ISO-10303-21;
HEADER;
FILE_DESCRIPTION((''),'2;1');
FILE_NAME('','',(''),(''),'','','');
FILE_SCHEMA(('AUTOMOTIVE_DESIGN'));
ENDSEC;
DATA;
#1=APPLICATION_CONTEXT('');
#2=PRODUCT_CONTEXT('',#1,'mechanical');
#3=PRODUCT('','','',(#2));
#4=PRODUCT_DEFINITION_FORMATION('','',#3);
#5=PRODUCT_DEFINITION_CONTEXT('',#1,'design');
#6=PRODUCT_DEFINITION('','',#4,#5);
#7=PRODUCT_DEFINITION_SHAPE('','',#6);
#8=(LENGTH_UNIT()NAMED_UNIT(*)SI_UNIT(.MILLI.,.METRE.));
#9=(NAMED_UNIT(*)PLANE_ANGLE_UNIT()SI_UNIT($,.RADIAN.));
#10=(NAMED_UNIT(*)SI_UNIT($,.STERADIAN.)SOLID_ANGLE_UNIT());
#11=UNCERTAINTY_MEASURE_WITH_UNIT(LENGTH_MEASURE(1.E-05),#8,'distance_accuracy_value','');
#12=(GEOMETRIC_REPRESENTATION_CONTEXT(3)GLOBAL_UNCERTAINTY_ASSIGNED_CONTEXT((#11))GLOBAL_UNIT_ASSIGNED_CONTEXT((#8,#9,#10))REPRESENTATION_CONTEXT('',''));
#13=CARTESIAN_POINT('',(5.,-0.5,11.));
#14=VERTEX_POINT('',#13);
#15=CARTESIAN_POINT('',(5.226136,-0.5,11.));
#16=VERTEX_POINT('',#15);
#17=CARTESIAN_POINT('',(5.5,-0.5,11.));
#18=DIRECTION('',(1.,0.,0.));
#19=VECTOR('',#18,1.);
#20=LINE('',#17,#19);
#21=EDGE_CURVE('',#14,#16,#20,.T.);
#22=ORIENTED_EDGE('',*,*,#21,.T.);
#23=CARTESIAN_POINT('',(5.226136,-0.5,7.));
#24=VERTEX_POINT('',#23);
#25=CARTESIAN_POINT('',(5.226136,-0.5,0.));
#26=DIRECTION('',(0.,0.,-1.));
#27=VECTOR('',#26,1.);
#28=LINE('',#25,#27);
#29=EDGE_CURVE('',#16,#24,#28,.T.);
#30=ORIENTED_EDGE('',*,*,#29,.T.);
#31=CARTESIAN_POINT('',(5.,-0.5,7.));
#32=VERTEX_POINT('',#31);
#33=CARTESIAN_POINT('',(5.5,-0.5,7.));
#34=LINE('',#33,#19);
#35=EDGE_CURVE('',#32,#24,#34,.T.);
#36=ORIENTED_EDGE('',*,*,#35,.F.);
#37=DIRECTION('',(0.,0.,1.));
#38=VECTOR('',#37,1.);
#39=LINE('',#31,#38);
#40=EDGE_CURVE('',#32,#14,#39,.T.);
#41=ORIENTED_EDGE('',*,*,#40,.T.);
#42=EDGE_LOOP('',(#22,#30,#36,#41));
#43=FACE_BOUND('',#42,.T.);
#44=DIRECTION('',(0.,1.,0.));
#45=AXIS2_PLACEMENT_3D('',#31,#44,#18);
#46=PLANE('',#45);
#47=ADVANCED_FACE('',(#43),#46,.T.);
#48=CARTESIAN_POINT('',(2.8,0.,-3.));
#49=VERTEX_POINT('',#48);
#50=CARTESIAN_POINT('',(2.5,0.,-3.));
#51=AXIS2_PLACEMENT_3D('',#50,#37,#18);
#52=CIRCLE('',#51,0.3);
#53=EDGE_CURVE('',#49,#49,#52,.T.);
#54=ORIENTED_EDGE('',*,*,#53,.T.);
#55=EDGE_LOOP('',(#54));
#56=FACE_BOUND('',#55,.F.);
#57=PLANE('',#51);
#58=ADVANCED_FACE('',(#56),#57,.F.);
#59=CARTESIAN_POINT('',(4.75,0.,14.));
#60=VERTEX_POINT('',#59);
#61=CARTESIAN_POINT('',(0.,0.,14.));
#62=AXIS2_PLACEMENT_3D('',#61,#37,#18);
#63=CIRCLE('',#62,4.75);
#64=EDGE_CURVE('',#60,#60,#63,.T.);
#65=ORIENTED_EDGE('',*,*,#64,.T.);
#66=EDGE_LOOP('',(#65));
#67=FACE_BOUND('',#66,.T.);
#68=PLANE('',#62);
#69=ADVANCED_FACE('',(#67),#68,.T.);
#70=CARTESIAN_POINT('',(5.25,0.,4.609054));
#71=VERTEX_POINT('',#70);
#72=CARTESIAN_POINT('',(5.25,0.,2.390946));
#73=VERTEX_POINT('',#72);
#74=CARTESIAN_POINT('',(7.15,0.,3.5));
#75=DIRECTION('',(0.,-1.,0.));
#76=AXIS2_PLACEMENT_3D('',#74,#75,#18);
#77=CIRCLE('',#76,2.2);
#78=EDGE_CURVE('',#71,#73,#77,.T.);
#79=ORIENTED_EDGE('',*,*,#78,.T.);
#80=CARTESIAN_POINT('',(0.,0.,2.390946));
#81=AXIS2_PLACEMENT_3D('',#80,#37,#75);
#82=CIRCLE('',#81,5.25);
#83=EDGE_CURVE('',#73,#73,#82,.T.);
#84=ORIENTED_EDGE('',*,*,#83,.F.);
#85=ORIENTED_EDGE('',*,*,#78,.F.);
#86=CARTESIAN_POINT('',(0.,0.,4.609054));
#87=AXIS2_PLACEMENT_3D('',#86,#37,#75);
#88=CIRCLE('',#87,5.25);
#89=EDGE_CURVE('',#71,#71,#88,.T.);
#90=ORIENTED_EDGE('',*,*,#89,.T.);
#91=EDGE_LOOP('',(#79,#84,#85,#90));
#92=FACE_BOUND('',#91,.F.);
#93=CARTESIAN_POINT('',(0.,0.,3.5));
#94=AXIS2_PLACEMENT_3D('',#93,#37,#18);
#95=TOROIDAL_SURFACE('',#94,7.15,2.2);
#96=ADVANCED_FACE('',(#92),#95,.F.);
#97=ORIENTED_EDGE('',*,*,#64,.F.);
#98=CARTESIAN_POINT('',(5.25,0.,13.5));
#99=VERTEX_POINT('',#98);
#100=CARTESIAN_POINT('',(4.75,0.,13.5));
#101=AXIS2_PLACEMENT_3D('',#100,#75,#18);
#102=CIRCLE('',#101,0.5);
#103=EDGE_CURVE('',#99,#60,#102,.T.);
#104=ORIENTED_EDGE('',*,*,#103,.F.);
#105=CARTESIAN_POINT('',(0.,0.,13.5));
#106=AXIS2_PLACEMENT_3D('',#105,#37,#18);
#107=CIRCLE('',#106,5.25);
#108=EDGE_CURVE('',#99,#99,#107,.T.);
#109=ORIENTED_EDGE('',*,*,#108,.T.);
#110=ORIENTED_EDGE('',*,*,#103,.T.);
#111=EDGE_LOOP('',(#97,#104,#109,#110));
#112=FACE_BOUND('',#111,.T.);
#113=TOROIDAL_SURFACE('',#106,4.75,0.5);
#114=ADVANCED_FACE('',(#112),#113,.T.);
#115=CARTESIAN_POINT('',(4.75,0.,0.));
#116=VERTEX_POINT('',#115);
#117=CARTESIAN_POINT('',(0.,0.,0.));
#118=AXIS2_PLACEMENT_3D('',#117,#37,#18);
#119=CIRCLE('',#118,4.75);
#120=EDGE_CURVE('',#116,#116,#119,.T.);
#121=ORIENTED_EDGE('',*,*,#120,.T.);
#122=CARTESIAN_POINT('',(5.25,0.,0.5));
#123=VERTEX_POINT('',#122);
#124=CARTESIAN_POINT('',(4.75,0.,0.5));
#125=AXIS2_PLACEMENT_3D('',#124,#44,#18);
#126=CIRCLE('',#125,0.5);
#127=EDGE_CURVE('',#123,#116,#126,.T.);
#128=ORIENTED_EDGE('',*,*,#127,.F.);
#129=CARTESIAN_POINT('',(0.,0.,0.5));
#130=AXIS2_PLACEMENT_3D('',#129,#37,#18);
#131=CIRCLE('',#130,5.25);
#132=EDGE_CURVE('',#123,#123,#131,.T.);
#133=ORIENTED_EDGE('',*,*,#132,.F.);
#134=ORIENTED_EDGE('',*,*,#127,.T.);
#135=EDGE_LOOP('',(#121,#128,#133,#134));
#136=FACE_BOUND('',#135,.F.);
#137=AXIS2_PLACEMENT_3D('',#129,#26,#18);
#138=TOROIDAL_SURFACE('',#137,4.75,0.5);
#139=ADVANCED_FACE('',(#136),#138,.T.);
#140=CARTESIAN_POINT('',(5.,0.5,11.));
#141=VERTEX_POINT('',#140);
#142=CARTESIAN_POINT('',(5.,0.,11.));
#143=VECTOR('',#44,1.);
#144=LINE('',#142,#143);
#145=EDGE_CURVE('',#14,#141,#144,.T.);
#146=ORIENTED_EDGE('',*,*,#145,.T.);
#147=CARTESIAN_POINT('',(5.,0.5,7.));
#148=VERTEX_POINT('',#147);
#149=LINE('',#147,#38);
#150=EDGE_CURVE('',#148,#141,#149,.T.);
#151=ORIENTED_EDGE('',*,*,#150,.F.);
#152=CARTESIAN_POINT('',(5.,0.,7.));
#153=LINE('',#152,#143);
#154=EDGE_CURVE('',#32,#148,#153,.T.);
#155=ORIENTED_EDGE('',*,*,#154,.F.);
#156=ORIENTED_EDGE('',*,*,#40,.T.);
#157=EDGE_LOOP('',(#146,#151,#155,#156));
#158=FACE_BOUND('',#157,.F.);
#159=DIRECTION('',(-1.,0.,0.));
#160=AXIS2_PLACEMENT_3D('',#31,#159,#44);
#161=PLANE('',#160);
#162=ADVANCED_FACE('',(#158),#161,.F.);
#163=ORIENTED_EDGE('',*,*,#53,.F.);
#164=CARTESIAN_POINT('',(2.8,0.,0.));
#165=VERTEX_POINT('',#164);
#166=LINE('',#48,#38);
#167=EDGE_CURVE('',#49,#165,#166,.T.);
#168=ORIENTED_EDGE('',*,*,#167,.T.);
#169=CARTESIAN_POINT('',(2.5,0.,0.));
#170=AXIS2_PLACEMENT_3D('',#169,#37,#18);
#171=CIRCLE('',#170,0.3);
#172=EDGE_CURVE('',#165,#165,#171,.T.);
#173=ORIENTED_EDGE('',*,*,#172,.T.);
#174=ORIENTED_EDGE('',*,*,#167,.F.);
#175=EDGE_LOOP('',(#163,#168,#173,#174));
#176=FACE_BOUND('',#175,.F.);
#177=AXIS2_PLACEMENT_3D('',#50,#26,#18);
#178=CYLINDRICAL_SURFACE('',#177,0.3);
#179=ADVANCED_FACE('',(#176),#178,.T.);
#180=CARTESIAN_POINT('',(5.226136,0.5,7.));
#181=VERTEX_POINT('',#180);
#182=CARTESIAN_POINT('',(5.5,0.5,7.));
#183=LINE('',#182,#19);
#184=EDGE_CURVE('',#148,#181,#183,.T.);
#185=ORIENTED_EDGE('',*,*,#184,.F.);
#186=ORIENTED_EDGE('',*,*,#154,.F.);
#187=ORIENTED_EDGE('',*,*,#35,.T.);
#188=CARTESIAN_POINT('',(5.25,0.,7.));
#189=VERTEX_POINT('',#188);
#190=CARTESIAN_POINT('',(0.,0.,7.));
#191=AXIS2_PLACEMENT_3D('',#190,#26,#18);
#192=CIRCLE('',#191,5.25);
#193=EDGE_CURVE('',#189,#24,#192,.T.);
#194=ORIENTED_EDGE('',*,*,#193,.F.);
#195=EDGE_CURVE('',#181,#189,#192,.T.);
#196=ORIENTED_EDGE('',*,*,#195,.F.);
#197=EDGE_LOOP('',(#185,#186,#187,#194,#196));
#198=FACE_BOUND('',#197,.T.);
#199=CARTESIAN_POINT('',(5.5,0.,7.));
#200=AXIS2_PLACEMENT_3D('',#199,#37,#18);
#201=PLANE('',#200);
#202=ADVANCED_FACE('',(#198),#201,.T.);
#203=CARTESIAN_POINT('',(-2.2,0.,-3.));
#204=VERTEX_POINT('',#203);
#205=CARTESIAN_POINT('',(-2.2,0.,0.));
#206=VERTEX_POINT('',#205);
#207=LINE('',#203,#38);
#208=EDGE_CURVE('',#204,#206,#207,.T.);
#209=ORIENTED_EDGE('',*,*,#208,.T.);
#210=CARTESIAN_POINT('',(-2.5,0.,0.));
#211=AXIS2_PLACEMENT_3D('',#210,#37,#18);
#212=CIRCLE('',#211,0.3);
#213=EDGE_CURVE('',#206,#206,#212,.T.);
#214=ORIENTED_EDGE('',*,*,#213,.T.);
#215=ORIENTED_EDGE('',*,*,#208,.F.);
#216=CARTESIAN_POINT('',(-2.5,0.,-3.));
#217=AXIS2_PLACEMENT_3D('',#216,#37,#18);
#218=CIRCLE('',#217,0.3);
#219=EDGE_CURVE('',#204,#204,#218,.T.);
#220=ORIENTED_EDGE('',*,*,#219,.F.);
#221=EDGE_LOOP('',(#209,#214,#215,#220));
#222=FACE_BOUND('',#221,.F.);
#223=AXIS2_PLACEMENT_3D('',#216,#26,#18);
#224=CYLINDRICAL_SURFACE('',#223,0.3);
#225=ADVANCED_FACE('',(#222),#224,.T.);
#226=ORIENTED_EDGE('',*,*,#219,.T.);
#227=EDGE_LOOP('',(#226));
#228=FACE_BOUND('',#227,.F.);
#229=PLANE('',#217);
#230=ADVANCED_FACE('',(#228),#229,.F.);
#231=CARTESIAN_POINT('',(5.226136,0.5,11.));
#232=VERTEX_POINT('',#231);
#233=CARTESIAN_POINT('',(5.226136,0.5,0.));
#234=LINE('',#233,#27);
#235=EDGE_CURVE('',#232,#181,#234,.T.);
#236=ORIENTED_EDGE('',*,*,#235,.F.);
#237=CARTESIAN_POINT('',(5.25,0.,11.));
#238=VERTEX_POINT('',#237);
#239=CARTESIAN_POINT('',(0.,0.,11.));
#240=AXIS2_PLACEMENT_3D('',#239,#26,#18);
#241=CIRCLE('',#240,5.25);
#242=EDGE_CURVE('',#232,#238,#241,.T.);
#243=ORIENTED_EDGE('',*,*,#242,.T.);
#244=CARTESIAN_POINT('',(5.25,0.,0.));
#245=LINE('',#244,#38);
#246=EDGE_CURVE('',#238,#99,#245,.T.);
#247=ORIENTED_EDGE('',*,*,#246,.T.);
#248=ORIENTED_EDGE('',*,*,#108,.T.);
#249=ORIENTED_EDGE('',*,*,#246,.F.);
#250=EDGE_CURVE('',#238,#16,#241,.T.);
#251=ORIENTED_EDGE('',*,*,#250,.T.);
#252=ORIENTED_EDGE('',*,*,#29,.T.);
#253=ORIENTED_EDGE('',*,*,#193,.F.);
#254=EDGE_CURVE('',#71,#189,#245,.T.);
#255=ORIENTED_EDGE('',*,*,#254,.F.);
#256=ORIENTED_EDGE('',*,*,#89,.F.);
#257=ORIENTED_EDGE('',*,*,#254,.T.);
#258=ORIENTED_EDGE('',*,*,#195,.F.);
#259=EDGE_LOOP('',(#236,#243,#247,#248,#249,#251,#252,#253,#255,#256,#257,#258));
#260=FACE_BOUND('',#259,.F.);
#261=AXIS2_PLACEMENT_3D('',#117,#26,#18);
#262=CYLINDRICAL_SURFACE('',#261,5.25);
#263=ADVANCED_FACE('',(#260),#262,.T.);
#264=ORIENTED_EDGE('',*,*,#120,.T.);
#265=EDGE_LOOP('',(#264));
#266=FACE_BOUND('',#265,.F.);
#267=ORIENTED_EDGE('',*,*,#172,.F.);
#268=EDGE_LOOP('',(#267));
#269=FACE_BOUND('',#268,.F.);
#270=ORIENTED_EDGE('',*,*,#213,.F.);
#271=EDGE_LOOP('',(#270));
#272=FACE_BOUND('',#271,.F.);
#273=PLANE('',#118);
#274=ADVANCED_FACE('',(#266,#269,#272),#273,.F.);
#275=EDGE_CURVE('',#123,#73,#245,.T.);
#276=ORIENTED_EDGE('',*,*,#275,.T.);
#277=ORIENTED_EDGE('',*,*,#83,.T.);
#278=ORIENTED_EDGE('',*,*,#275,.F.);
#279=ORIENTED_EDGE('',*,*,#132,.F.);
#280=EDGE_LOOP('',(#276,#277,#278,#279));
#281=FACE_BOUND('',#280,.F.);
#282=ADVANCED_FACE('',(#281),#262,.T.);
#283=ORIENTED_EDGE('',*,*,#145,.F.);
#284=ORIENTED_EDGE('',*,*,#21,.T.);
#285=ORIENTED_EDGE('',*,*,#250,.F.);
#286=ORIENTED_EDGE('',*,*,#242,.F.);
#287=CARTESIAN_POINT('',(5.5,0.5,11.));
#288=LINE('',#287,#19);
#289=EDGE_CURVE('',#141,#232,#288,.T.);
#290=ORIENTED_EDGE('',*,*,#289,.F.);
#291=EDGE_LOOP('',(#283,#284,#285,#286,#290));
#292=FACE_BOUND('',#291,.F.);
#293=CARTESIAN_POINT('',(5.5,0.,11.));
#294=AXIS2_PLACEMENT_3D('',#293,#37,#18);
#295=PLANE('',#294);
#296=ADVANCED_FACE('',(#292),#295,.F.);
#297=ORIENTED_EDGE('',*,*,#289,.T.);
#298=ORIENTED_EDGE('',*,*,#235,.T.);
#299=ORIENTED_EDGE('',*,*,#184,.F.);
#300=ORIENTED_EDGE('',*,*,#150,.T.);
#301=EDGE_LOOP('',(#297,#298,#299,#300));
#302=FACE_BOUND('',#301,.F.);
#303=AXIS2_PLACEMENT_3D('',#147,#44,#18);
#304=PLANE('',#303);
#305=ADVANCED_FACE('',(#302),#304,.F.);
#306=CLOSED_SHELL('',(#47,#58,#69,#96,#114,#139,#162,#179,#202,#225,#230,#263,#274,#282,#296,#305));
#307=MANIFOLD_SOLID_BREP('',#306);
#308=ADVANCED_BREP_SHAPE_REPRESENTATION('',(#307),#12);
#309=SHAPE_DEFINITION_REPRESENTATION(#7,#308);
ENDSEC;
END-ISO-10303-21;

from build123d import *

# Parameters (mm, degrees)
CYLINDER002_R     = 0.3
CYLINDER002_DEPTH = 3
CYLINDER001_R     = 0.3
CYLINDER001_DEPTH = 3
BOX001_W          = 1
BOX001_H          = 1
BOX001_DEPTH      = 4
BOX_W             = 1
BOX_H             = 1
BOX_DEPTH         = 4
TORUS_R           = 2.2
CYLINDER_R        = 5.25
CYLINDER_DEPTH    = 14
FILLET_R          = 0.5


with BuildPart() as pin2:
    # Cylinder002 → Cylinder002 (new body)
    with BuildSketch(Plane(origin=(2.5, 0, -3), x_dir=(1, 0, 0), z_dir=(0, 0, 1))):
        Circle(CYLINDER002_R)
    extrude(amount=CYLINDER002_DEPTH)


with BuildPart() as pin1:
    # Cylinder001 → Cylinder001 (new body)
    with BuildSketch(Plane(origin=(-2.5, 0, -3), x_dir=(1, 0, 0), z_dir=(0, 0, 1))):
        Circle(CYLINDER001_R)
    extrude(amount=CYLINDER001_DEPTH)


with BuildPart() as box001:
    # Box001 → Box001 (new body)
    with BuildSketch(Plane(origin=(5, -0.5, 15), x_dir=(1, 0, 0), z_dir=(0, 0, 1))):
        with Locations((0.5, 0.5)):
            Rectangle(BOX001_W, BOX001_H)
    extrude(amount=BOX001_DEPTH)


with BuildPart() as box:
    # Box → Box (new body)
    with BuildSketch(Plane(origin=(5, -0.5, 7), x_dir=(1, 0, 0), z_dir=(0, 0, 1))):
        with Locations((0.5, 0.5)):
            Rectangle(BOX_W, BOX_H)
    extrude(amount=BOX_DEPTH)


with BuildPart() as ring:
    # Torus → Torus (revolve)
    with BuildSketch(Plane(origin=(0, 0, 3.5), x_dir=(1, 0, 0), z_dir=(0, -1, 0))):
        with Locations((7.15, 0)):
            Circle(TORUS_R)
    revolve(axis=Axis((0, 0, 3.5), (0, 0, 1)))


with BuildPart() as cappr500w60d1000h1250:
    # Cylinder → Cylinder (new body)
    with BuildSketch(Plane.XY):
        Circle(CYLINDER_R)
    extrude(amount=CYLINDER_DEPTH)

    # Fillet
    fillet_edges = [cappr500w60d1000h1250.edges().sort_by_distance(p)[0] for p in [
        (-5.25, 0, 14),
        (-5.25, 0, 0),
    ]]
    fillet(fillet_edges, radius=FILLET_R)

    # Cut: cut Ring
    add(ring.part, mode=Mode.SUBTRACT)

    # Cut001: cut Box
    add(box.part, mode=Mode.SUBTRACT)

    # Cut002: cut Box001
    add(box001.part, mode=Mode.SUBTRACT)

    # Fusion: union Pin1+
    add(pin1.part)

    # Fusion001: union Pin2-
    add(pin2.part)


solid = cappr500w60d1000h1250.part
